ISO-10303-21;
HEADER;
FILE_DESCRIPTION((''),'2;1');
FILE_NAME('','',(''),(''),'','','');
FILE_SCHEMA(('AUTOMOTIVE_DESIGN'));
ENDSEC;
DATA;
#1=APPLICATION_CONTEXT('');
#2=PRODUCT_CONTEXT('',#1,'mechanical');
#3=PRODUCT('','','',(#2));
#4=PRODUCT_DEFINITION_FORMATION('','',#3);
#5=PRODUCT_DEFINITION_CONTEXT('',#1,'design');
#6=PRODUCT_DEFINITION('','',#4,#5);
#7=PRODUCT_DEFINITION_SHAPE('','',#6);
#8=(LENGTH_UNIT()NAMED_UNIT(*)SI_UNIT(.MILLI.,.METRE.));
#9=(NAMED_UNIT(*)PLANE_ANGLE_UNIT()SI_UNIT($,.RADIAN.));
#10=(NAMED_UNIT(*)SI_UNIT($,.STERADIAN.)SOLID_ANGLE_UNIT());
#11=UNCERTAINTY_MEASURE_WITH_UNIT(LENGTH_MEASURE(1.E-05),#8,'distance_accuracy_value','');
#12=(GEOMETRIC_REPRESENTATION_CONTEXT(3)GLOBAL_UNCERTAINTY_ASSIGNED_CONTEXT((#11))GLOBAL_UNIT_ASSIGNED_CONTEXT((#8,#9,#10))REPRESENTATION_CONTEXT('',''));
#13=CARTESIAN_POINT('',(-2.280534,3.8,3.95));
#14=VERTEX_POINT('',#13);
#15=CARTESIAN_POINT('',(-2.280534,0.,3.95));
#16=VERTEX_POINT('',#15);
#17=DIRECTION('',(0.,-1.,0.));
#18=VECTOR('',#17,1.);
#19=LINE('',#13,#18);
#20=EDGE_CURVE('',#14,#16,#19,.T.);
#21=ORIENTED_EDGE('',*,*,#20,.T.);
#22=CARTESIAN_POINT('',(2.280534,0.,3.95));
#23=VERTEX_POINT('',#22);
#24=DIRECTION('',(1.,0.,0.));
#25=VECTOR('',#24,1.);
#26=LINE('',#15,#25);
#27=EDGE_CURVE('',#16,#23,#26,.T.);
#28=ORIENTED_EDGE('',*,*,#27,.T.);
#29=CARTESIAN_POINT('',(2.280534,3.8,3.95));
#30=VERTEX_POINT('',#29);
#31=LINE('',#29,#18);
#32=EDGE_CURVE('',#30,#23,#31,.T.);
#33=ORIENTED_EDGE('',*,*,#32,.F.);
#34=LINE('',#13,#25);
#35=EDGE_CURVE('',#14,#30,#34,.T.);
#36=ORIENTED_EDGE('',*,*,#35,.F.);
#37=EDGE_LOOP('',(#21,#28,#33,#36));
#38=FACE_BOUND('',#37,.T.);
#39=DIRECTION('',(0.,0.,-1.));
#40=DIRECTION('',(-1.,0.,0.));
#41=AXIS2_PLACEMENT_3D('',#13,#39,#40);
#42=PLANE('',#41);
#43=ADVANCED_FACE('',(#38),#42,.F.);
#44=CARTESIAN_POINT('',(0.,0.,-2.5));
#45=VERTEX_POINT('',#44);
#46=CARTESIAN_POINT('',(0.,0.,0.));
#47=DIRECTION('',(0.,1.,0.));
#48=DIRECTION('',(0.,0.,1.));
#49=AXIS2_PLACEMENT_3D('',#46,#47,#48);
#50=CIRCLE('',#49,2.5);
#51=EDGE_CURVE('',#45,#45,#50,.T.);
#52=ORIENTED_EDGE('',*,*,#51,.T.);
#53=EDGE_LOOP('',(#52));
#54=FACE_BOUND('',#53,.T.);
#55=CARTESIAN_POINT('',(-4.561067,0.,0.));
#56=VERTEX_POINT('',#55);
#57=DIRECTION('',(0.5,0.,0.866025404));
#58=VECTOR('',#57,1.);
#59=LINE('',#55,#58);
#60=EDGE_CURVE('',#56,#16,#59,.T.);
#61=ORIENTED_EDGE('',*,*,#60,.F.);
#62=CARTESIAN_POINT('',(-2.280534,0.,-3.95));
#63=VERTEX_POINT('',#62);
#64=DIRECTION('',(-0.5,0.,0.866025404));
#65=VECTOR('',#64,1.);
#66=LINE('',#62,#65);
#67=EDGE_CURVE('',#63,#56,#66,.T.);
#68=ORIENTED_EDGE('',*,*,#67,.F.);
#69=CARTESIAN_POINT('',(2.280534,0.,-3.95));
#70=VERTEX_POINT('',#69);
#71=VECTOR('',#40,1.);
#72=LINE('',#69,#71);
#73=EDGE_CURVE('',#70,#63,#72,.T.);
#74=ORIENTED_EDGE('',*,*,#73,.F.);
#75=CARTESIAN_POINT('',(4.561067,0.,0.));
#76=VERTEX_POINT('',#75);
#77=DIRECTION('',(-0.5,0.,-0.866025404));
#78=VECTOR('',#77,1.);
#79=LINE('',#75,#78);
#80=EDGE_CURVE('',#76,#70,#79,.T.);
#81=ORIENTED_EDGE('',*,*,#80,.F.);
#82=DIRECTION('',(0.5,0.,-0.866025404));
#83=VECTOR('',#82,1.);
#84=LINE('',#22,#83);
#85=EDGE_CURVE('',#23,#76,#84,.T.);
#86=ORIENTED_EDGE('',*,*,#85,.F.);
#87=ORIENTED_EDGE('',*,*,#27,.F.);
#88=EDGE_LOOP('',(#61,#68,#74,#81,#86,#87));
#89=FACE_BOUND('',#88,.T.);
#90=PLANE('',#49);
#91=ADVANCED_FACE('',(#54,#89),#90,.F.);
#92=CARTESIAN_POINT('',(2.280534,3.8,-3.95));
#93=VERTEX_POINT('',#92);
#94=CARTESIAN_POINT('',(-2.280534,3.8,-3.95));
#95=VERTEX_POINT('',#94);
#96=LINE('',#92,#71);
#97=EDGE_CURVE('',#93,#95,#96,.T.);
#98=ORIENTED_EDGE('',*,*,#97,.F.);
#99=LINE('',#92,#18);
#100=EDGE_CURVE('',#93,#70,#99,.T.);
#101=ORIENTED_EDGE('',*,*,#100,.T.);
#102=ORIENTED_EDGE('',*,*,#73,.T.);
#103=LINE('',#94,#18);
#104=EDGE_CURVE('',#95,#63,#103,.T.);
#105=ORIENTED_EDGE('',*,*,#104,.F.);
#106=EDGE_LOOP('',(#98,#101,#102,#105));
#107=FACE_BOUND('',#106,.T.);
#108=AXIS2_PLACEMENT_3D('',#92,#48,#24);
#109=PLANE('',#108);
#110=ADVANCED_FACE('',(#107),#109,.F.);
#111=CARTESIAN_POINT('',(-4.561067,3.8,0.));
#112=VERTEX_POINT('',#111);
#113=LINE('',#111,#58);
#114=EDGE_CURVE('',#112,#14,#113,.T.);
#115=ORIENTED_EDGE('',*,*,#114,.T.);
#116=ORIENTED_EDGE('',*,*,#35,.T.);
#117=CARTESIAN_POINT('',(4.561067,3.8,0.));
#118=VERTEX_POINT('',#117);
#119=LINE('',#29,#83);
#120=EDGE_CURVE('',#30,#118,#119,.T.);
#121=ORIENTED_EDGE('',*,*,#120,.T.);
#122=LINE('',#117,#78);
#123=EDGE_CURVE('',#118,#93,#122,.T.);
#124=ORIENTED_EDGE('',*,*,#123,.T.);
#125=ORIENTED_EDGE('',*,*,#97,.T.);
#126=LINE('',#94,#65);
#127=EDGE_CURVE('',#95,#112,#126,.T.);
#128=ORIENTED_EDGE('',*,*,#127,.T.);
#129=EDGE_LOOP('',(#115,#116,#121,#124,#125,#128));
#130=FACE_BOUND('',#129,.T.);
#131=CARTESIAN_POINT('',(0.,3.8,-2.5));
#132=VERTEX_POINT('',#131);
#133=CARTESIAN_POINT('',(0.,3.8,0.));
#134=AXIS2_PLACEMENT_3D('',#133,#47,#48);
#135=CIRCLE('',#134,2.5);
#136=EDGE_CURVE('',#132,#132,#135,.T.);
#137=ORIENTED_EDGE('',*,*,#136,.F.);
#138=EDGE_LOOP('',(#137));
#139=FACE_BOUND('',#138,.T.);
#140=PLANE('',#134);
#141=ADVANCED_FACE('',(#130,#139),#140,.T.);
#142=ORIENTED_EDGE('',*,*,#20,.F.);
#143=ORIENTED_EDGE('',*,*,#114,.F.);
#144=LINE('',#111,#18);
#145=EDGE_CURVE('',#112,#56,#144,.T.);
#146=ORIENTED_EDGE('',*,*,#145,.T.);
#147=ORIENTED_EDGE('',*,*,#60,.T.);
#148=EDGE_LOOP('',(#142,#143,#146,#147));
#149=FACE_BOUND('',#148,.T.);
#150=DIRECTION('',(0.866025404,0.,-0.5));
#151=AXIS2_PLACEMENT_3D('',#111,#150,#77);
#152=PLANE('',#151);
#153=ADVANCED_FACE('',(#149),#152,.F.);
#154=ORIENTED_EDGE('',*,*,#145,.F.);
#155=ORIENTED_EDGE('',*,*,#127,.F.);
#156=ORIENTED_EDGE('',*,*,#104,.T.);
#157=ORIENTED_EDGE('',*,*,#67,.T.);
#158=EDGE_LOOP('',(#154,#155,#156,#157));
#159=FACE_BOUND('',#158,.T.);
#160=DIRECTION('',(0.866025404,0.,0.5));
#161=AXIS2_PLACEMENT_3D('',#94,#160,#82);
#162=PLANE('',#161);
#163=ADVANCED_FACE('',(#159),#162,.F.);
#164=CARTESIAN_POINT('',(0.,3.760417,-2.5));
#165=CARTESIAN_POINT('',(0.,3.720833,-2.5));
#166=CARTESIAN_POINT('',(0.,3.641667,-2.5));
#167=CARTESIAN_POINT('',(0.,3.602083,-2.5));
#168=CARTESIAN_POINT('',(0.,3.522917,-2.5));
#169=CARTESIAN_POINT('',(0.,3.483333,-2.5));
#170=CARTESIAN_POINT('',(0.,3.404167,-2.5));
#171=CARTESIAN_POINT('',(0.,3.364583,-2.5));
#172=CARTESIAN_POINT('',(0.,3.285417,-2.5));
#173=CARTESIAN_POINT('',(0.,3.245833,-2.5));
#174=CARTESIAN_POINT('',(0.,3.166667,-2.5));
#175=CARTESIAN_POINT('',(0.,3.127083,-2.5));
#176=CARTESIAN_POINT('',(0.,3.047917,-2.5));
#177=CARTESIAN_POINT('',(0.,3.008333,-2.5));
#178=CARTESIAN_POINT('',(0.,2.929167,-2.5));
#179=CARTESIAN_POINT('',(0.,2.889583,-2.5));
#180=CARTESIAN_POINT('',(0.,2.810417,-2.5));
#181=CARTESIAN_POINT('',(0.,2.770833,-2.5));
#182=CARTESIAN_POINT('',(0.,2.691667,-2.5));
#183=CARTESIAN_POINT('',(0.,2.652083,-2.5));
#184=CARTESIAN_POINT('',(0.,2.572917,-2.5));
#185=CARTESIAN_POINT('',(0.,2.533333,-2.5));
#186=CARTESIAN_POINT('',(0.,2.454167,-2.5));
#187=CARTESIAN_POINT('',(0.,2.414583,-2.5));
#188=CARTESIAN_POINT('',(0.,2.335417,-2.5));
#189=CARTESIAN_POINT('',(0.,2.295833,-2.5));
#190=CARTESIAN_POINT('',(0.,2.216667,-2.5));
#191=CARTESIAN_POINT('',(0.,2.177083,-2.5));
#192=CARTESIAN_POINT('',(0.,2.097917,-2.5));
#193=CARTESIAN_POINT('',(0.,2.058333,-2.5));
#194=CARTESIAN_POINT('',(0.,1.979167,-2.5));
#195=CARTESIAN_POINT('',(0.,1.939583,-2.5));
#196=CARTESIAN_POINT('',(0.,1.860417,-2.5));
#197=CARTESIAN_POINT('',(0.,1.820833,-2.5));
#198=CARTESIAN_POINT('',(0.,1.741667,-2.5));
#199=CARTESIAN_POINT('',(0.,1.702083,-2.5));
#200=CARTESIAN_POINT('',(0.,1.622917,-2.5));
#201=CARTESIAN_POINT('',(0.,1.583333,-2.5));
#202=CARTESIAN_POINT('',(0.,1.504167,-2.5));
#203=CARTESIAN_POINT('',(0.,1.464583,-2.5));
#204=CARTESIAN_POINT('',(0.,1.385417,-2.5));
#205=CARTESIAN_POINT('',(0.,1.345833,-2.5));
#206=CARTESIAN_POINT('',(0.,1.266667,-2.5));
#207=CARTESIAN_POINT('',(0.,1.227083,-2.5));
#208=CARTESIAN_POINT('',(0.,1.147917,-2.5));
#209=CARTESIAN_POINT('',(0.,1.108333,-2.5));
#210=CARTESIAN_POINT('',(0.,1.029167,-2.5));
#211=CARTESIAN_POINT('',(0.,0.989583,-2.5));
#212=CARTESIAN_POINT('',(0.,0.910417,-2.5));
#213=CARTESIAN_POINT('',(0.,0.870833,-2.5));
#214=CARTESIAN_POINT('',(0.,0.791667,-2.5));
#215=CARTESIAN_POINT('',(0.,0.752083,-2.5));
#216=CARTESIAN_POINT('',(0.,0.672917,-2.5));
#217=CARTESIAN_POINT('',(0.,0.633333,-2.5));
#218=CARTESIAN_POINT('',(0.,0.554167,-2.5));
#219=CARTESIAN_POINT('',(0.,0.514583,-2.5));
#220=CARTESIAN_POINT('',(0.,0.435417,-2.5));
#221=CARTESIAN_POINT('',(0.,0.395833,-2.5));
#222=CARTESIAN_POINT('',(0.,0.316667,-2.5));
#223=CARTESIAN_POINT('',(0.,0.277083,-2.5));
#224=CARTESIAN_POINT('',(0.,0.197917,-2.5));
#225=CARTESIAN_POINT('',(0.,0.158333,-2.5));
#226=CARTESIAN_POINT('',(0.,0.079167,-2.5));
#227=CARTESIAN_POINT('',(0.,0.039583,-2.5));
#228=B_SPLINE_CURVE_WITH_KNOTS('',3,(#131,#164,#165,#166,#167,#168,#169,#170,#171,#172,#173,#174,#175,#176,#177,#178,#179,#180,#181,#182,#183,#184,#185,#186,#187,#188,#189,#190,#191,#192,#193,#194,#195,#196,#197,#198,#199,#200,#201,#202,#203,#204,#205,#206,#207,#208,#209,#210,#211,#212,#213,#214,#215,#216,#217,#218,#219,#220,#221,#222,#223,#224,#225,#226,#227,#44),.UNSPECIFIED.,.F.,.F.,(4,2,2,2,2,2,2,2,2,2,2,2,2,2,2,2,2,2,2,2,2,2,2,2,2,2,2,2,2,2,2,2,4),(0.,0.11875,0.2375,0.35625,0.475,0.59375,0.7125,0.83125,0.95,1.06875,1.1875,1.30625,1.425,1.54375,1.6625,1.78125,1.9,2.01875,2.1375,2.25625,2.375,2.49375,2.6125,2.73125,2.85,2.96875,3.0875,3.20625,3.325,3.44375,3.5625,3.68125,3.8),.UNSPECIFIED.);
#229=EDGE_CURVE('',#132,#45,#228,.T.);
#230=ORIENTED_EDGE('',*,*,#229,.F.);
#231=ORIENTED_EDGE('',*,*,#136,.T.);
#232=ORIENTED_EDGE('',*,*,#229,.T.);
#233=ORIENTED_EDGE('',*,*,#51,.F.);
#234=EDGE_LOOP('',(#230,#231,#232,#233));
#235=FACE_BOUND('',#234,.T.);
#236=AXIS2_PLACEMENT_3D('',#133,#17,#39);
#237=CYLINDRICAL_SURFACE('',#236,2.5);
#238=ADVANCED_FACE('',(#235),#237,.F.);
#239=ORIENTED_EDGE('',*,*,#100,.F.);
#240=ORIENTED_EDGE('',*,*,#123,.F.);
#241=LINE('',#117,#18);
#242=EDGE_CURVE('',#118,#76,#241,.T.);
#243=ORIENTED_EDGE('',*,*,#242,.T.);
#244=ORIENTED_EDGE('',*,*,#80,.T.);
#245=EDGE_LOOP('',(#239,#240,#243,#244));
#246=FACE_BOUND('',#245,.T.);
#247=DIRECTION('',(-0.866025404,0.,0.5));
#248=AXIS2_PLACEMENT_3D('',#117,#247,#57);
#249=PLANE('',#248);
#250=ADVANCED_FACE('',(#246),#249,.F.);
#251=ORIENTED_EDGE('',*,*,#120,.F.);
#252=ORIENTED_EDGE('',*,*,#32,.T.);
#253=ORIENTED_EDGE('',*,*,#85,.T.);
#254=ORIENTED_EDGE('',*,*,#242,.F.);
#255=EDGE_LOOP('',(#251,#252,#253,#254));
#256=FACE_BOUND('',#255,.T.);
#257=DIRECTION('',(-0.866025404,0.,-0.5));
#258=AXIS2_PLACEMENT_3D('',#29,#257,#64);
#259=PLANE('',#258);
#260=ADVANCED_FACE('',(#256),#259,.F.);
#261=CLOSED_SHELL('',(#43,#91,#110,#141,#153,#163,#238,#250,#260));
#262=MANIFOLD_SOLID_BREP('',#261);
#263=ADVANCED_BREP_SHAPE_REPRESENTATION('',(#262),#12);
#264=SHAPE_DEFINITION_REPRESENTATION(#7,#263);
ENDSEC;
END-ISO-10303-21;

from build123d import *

# Parameters (mm, degrees)
SKETCH_1_R      = 2.5
EXTRUDE_1_DEPTH = 3.8


with BuildPart() as part:
    # Эскиз1 → Бобышка-Вытянуть1 (new body)
    with BuildSketch(Plane(origin=(0, 0, 0), x_dir=(1, 0, 0), z_dir=(0, 1, 0))):
        Polygon((2.280533563, -3.95), (4.561067127, 0), (2.280533563, 3.95), (-2.280533563, 3.95), (-4.561067127, 0), (-2.280533563, -3.95), align=None)
        with Locations(Location((0, 0, 0), (0, 0, 90))):
            Circle(SKETCH_1_R, mode=Mode.SUBTRACT)
    extrude(amount=EXTRUDE_1_DEPTH)


solid = part.part
